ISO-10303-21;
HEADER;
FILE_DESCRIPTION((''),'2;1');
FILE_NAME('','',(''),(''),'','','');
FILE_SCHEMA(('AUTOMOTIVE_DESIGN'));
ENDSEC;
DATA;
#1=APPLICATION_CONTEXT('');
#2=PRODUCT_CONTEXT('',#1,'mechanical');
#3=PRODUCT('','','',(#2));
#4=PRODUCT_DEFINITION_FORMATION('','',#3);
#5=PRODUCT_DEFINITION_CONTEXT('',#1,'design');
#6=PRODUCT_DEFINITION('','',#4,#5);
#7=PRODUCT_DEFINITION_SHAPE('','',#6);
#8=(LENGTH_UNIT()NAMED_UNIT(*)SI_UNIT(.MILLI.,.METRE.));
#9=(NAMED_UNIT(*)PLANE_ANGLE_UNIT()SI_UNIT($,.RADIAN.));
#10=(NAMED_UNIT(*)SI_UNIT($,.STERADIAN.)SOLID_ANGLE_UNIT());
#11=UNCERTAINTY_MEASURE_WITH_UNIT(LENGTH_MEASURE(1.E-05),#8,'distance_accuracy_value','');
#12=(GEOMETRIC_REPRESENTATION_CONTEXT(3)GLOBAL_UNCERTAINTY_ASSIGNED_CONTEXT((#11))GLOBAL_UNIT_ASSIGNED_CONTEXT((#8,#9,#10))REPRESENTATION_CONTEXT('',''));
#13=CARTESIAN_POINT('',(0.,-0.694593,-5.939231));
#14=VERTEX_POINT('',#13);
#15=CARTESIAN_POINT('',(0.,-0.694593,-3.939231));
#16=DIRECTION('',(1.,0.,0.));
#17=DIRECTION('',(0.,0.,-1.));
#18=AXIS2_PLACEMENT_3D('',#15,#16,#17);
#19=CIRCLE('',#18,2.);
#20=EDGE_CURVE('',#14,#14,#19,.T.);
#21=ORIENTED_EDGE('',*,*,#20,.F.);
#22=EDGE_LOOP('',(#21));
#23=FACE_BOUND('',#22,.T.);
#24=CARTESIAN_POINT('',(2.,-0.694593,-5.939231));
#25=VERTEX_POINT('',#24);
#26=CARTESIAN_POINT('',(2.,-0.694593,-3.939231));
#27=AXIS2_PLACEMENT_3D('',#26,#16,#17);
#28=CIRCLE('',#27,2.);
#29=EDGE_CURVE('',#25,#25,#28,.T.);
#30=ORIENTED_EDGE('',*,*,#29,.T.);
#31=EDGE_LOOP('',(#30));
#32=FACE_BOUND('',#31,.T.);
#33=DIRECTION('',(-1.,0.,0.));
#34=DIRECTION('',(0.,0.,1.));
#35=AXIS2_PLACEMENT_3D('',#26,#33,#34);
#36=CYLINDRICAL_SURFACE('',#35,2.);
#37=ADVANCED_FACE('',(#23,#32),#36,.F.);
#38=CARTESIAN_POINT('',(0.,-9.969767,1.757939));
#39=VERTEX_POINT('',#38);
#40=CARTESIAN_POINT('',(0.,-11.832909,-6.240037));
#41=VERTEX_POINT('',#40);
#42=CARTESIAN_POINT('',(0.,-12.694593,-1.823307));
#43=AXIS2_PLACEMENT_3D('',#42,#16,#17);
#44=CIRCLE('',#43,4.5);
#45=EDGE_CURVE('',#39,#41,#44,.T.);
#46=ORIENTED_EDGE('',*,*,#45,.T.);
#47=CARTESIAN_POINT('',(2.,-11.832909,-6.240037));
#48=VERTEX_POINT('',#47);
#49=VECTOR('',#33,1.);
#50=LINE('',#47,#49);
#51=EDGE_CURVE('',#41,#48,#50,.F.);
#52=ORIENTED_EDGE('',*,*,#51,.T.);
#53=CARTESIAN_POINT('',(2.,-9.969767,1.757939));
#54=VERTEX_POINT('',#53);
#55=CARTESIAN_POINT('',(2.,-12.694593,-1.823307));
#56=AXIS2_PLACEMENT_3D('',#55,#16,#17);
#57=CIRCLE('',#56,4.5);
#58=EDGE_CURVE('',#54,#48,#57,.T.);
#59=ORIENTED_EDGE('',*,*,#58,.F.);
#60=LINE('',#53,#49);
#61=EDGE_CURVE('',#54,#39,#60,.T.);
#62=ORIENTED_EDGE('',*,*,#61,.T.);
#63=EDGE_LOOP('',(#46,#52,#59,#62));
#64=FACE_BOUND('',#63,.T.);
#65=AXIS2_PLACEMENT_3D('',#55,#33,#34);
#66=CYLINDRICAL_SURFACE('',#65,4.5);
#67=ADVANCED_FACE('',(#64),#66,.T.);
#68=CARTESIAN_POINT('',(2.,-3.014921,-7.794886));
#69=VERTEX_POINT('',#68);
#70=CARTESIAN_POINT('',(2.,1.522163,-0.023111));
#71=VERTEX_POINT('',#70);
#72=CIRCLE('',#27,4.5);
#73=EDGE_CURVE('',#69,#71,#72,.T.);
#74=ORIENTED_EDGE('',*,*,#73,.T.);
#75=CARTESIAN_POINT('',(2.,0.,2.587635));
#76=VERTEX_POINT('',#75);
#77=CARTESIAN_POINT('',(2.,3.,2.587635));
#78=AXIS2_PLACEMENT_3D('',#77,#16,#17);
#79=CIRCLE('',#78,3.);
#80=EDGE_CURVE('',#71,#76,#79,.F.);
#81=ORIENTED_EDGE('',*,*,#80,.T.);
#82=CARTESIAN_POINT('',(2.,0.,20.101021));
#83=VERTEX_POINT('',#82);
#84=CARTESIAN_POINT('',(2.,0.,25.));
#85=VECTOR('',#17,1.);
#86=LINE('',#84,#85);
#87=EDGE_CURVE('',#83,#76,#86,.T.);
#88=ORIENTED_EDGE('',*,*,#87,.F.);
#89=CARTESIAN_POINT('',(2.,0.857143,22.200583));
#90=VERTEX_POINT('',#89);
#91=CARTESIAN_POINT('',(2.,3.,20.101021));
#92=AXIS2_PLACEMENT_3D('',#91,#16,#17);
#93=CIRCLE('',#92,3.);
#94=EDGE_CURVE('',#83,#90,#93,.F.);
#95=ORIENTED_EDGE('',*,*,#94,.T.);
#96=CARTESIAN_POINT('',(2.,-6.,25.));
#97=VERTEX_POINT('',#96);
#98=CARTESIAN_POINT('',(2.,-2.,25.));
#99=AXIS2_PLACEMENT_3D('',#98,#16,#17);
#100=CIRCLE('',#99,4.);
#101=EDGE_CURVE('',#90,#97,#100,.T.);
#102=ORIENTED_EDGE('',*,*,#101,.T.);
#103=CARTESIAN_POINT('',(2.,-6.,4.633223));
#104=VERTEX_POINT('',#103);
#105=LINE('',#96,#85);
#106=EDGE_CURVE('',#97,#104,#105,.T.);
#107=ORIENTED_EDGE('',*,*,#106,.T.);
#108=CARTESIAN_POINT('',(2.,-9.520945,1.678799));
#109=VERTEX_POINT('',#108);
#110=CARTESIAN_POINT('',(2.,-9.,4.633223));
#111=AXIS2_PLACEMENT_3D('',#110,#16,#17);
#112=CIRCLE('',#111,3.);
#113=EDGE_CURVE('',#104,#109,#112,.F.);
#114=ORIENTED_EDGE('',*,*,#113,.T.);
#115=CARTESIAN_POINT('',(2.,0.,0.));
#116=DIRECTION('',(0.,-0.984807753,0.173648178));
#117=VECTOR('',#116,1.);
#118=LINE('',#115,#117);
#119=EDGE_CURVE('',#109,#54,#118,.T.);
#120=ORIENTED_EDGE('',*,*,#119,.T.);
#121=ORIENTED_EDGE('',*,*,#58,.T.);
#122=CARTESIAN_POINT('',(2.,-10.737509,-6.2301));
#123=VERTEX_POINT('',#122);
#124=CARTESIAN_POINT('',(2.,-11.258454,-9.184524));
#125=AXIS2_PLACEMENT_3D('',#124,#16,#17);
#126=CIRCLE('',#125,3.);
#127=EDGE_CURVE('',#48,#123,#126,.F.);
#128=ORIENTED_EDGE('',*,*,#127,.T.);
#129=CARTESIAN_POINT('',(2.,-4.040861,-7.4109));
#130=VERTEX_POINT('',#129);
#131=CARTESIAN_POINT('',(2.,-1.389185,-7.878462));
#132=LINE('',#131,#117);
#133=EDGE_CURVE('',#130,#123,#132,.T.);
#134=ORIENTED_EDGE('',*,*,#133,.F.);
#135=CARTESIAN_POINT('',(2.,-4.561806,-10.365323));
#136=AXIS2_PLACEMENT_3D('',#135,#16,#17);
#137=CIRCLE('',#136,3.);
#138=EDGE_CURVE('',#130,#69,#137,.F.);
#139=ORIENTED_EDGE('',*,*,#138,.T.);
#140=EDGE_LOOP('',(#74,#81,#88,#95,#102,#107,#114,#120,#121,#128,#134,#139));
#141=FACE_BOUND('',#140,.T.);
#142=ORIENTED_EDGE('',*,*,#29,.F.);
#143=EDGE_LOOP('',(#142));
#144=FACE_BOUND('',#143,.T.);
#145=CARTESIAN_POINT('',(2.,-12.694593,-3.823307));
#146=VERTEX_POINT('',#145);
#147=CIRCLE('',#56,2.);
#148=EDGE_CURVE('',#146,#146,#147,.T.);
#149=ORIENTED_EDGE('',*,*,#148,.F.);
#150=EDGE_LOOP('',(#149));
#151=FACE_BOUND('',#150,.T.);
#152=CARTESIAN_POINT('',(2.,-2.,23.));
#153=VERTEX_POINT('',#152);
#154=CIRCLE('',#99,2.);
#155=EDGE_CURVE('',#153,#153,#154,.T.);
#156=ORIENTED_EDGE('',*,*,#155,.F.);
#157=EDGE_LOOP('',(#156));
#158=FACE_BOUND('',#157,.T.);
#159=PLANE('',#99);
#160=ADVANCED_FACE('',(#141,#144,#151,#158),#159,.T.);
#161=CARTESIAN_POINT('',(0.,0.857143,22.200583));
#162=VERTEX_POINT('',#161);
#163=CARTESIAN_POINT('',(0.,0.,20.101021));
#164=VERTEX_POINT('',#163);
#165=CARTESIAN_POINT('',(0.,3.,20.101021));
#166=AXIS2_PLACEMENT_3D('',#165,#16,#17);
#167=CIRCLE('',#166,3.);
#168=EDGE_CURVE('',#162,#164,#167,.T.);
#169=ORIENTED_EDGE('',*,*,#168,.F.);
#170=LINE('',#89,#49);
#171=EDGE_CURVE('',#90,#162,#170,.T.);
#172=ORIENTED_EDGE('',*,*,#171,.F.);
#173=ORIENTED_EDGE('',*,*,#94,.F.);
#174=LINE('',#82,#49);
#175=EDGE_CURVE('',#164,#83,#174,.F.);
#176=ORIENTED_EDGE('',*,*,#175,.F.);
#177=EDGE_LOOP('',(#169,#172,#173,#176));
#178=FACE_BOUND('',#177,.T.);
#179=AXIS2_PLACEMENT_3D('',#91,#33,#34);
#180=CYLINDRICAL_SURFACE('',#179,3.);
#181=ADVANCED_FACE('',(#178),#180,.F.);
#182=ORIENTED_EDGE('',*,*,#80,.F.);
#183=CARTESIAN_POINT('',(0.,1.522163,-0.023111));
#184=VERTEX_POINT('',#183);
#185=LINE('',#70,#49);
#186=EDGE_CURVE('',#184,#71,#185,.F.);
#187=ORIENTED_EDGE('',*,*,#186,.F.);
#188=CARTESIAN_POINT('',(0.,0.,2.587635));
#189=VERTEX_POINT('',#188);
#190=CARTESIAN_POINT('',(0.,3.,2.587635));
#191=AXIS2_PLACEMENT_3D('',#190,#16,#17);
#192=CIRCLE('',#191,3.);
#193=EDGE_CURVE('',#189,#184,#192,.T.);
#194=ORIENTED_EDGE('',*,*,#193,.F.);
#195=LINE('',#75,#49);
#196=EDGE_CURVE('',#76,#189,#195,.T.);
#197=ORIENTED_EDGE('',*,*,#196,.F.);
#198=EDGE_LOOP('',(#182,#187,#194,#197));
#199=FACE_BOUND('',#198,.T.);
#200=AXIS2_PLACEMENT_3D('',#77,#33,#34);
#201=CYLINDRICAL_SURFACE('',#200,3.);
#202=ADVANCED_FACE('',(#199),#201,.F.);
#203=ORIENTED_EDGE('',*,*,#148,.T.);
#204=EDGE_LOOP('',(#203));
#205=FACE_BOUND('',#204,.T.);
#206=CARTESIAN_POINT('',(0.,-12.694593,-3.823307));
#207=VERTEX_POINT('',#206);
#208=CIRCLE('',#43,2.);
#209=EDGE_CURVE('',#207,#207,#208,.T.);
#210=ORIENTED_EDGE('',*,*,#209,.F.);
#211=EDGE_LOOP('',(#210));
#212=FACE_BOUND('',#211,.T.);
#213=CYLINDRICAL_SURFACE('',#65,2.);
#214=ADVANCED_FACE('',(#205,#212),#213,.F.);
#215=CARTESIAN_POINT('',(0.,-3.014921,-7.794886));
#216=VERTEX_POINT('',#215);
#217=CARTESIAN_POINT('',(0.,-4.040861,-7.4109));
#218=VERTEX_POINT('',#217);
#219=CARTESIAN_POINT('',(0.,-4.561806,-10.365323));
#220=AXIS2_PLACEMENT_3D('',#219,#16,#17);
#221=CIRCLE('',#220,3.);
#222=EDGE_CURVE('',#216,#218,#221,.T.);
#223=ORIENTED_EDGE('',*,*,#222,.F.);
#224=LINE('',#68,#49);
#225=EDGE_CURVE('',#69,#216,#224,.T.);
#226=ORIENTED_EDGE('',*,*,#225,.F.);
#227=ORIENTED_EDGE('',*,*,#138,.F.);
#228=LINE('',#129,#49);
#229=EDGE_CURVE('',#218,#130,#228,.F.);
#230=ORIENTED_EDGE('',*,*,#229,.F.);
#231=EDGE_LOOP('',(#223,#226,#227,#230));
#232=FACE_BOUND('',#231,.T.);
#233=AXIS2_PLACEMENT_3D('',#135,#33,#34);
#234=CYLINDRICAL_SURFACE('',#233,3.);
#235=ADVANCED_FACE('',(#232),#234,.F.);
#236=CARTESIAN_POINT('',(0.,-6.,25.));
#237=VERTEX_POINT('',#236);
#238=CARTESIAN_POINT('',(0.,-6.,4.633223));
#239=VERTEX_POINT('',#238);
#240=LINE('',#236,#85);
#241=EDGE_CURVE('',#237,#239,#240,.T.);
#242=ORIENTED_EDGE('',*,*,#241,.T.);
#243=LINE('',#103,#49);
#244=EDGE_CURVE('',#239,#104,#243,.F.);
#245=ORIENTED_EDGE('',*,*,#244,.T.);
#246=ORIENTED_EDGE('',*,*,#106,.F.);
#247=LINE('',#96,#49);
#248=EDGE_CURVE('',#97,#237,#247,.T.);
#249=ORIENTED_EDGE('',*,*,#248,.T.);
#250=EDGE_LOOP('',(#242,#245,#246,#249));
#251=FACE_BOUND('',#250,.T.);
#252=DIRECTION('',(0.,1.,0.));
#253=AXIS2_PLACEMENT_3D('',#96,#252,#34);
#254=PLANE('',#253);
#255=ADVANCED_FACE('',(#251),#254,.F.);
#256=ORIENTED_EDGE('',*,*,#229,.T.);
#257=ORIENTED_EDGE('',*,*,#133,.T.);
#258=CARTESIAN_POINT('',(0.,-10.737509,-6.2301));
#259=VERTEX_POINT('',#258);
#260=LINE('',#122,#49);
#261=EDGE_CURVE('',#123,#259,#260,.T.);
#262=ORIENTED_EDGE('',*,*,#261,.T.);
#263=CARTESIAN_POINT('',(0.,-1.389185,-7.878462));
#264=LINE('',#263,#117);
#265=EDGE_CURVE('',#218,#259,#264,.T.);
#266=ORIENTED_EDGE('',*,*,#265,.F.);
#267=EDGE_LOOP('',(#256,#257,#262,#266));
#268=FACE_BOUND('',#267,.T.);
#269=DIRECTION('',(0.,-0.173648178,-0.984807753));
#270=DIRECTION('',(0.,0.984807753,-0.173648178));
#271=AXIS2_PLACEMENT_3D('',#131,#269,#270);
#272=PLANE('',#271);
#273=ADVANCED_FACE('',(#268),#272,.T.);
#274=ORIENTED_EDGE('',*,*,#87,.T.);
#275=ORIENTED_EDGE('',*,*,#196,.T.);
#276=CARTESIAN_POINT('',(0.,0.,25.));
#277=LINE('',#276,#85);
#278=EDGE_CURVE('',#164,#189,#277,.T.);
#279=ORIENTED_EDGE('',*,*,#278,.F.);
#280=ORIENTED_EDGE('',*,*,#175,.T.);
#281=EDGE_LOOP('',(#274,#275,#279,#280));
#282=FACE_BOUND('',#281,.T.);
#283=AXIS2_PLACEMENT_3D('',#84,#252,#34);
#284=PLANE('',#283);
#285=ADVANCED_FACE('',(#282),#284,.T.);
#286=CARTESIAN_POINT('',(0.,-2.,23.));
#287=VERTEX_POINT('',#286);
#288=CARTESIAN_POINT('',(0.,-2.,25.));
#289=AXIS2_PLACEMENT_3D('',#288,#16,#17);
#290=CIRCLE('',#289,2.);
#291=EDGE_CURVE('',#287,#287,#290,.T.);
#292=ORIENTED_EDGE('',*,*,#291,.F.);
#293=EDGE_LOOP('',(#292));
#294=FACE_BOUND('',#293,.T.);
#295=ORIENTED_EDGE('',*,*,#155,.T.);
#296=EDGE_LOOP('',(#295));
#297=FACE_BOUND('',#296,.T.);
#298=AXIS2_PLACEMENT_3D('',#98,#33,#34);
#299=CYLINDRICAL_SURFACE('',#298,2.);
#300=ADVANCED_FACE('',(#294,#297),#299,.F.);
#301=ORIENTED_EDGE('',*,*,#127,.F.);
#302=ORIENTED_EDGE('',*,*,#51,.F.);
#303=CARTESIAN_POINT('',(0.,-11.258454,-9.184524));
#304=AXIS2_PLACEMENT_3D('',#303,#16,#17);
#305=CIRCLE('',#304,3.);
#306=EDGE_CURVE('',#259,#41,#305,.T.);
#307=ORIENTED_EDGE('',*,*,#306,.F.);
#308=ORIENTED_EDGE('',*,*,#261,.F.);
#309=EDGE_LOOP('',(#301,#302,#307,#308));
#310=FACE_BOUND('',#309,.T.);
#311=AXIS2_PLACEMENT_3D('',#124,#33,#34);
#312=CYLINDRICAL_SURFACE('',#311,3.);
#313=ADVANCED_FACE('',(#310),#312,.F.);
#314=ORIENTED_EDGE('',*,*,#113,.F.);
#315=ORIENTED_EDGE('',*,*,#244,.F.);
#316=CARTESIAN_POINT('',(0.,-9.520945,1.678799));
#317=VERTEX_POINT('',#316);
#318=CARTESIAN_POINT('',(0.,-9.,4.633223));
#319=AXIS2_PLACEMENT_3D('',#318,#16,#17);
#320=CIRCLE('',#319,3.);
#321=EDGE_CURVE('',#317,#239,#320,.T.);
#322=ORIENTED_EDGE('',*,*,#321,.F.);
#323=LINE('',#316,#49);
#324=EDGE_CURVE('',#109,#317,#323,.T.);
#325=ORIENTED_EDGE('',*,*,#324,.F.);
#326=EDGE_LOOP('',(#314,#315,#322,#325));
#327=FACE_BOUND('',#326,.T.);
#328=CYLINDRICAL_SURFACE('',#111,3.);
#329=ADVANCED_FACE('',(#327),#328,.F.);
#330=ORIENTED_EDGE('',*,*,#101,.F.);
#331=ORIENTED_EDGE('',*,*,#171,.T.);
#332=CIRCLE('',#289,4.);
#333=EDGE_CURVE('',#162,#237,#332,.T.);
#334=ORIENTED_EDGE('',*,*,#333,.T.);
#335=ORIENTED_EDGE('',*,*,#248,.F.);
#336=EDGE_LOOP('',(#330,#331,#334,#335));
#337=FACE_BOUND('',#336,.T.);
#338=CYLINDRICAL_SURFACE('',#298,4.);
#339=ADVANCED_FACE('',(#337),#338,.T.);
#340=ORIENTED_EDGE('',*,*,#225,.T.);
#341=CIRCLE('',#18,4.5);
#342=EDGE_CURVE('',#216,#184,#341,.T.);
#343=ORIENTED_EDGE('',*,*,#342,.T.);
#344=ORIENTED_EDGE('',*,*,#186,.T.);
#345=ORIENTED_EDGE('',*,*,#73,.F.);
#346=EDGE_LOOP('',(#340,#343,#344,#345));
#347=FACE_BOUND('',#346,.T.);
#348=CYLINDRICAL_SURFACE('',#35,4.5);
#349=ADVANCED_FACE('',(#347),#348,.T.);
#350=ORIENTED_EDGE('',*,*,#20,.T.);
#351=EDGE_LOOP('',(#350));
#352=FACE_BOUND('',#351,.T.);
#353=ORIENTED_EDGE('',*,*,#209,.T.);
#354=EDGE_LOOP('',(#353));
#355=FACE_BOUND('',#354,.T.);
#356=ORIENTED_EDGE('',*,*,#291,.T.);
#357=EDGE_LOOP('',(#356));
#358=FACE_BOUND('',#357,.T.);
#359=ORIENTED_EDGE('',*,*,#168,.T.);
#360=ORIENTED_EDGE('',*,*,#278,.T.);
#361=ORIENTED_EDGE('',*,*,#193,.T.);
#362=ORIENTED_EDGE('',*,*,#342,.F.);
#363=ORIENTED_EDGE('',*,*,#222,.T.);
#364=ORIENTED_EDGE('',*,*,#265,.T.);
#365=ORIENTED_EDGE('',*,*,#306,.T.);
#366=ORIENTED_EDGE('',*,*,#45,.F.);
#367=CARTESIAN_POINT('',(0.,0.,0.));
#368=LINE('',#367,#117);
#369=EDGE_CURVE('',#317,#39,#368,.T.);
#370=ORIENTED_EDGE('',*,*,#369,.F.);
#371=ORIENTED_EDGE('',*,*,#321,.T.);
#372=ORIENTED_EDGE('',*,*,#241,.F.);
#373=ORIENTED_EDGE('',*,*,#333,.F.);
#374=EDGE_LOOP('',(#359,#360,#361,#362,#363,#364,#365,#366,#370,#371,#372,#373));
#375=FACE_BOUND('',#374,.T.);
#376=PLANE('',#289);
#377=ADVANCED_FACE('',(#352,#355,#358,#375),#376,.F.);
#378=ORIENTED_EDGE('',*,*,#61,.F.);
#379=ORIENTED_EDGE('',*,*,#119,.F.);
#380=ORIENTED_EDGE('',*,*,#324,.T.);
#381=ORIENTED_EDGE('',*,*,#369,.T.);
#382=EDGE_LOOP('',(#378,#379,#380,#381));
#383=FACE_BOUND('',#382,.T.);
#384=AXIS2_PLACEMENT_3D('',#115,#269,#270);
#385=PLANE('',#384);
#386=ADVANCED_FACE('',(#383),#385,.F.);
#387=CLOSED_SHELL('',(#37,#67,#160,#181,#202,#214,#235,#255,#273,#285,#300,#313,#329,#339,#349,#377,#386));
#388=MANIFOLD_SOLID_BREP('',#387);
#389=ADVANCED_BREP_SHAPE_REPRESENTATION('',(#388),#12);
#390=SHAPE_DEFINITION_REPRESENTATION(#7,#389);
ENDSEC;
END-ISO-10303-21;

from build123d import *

# Parameters (mm, degrees)
EXTRUDE_1_DEPTH     = 2
SKETCH_1_3_R        = 2
CUT_EXTRUDE_1_DEPTH = 34.773569821
FILLET_1_R          = 3


with BuildPart() as part:
    # 草图1 → 凸台-拉伸1 (new body)
    with BuildSketch(Plane(origin=(0, 0, 0), x_dir=(0, 0, -1), z_dir=(1, 0, 0))):
        with BuildLine():
            Line((-25, -6), (-25, 0))
            Line((-25, 0), (-21.535898385, 0))
            ThreePointArc((-21.535898385, 0), (-28.464101615, 0), (-25, -6))
        make_face()
        with BuildLine():
            Line((-21.535898385, 0), (-25, 0))
            Line((-25, 0), (-25, -6))
            ThreePointArc((-25, -6), (-22.171572875, -4.828427125), (-21, -2))
            ThreePointArc((-21, -2), (-21.136296695, -0.96472382), (-21.535898385, 0))
        make_face()
        with BuildLine():
            Line((-0.506839272, 0), (-21.535898385, 0))
            ThreePointArc((-21.535898385, 0), (-21.136296695, -0.96472382), (-21, -2))
            ThreePointArc((-21, -2), (-22.171572875, -4.828427125), (-25, -6))
            Line((-25, -6), (-1.057961884, -6))
            Line((-1.057961884, -6), (-0.357984889, -2.030233193))
            ThreePointArc((-0.357984889, -2.030233193), (-0.548722311, -1.02364433), (-0.506839272, 0))
        make_face()
        with BuildLine():
            ThreePointArc((8.439231012, -0.694592711), (4.2875726, 3.791904602), (-0.506839272, 0))
            Line((-0.506839272, 0), (0, 0))
            Line((0, 0), (7.878462024, -1.389185421))
            Line((7.878462024, -1.389185421), (7.520477135, -3.419418615))
            ThreePointArc((7.520477135, -3.419418615), (8.203360909, -2.132367458), (8.439231012, -0.694592711))
        make_face()
        with BuildLine():
            Line((0, 0), (-0.506839272, 0))
            ThreePointArc((-0.506839272, 0), (-0.548722311, -1.02364433), (-0.357984889, -2.030233193))
            Line((-0.357984889, -2.030233193), (0, 0))
        make_face()
        with BuildLine():
            Line((-0.357984889, -2.030233193), (-1.057961884, -6))
            Line((-1.057961884, -6), (0, -6))
            Line((0, -6), (0, -2.870014287))
            ThreePointArc((0, -2.870014287), (-0.200342941, -2.459225106), (-0.357984889, -2.030233193))
        make_face()
        with BuildLine():
            Line((0, -6), (-1.057961884, -6))
            Line((-1.057961884, -6), (-1.757938879, -9.969766807))
            ThreePointArc((-1.757938879, -9.969766807), (2.604724043, -8.262957822), (6.120523145, -11.358952228))
            Line((6.120523145, -11.358952228), (7.520477135, -3.419418615))
            ThreePointArc((7.520477135, -3.419418615), (3.611359735, -5.182632419), (0, -2.870014287))
            Line((0, -2.870014287), (0, -6))
        make_face()
        with BuildLine():
            Line((7.878462024, -1.389185421), (0, 0))
            Line((0, 0), (0, -2.870014287))
            ThreePointArc((0, -2.870014287), (3.611359735, -5.182632419), (7.520477135, -3.419418615))
            Line((7.520477135, -3.419418615), (7.878462024, -1.389185421))
        make_face()
        with BuildLine():
            Line((0, -2.870014287), (0, 0))
            Line((0, 0), (-0.357984889, -2.030233193))
            ThreePointArc((-0.357984889, -2.030233193), (-0.200342941, -2.459225106), (0, -2.870014287))
        make_face()
        with BuildLine():
            ThreePointArc((6.120523145, -11.358952228), (2.604724043, -8.262957822), (-1.757938879, -9.969766807))
            Line((-1.757938879, -9.969766807), (-2.115923769, -12))
            Line((-2.115923769, -12), (5.762538256, -13.389185421))
            Line((5.762538256, -13.389185421), (6.120523145, -11.358952228))
        make_face()
        with BuildLine():
            Line((-2.115923769, -12), (-1.757938879, -9.969766807))
            ThreePointArc((-1.757938879, -9.969766807), (0.385532496, -16.958722607), (6.323307244, -12.694592711))
            ThreePointArc((6.323307244, -12.694592711), (6.27232239, -12.019119379), (6.120523145, -11.358952228))
            Line((6.120523145, -11.358952228), (5.762538256, -13.389185421))
            Line((5.762538256, -13.389185421), (-2.115923769, -12))
        make_face()
    extrude(amount=EXTRUDE_1_DEPTH)

    # 草图1<3> → 切除-拉伸1 (cut, through all)
    with BuildSketch(Plane(origin=(0, 0, 0), x_dir=(0, 0, -1), z_dir=(1, 0, 0))):
        with Locations((-25, -2)):
            Circle(SKETCH_1_3_R)
        with Locations((3.939231012, -0.694592711)):
            Circle(SKETCH_1_3_R)
        with Locations((1.823307244, -12.694592711)):
            Circle(SKETCH_1_3_R)
    extrude(amount=CUT_EXTRUDE_1_DEPTH, mode=Mode.SUBTRACT)

    # 圆角1
    fillet_1_edges = [part.edges().sort_by_distance(p)[0] for p in [
        (1, -6, 1.057961884),
        (1, 0, 0.506839272),
        (1, -3.419418615, -7.520477135),
        (1, -11.358952228, -6.120523145),
        (1, 0, 21.535898385),
    ]]
    fillet(fillet_1_edges, radius=FILLET_1_R)


solid = part.part
